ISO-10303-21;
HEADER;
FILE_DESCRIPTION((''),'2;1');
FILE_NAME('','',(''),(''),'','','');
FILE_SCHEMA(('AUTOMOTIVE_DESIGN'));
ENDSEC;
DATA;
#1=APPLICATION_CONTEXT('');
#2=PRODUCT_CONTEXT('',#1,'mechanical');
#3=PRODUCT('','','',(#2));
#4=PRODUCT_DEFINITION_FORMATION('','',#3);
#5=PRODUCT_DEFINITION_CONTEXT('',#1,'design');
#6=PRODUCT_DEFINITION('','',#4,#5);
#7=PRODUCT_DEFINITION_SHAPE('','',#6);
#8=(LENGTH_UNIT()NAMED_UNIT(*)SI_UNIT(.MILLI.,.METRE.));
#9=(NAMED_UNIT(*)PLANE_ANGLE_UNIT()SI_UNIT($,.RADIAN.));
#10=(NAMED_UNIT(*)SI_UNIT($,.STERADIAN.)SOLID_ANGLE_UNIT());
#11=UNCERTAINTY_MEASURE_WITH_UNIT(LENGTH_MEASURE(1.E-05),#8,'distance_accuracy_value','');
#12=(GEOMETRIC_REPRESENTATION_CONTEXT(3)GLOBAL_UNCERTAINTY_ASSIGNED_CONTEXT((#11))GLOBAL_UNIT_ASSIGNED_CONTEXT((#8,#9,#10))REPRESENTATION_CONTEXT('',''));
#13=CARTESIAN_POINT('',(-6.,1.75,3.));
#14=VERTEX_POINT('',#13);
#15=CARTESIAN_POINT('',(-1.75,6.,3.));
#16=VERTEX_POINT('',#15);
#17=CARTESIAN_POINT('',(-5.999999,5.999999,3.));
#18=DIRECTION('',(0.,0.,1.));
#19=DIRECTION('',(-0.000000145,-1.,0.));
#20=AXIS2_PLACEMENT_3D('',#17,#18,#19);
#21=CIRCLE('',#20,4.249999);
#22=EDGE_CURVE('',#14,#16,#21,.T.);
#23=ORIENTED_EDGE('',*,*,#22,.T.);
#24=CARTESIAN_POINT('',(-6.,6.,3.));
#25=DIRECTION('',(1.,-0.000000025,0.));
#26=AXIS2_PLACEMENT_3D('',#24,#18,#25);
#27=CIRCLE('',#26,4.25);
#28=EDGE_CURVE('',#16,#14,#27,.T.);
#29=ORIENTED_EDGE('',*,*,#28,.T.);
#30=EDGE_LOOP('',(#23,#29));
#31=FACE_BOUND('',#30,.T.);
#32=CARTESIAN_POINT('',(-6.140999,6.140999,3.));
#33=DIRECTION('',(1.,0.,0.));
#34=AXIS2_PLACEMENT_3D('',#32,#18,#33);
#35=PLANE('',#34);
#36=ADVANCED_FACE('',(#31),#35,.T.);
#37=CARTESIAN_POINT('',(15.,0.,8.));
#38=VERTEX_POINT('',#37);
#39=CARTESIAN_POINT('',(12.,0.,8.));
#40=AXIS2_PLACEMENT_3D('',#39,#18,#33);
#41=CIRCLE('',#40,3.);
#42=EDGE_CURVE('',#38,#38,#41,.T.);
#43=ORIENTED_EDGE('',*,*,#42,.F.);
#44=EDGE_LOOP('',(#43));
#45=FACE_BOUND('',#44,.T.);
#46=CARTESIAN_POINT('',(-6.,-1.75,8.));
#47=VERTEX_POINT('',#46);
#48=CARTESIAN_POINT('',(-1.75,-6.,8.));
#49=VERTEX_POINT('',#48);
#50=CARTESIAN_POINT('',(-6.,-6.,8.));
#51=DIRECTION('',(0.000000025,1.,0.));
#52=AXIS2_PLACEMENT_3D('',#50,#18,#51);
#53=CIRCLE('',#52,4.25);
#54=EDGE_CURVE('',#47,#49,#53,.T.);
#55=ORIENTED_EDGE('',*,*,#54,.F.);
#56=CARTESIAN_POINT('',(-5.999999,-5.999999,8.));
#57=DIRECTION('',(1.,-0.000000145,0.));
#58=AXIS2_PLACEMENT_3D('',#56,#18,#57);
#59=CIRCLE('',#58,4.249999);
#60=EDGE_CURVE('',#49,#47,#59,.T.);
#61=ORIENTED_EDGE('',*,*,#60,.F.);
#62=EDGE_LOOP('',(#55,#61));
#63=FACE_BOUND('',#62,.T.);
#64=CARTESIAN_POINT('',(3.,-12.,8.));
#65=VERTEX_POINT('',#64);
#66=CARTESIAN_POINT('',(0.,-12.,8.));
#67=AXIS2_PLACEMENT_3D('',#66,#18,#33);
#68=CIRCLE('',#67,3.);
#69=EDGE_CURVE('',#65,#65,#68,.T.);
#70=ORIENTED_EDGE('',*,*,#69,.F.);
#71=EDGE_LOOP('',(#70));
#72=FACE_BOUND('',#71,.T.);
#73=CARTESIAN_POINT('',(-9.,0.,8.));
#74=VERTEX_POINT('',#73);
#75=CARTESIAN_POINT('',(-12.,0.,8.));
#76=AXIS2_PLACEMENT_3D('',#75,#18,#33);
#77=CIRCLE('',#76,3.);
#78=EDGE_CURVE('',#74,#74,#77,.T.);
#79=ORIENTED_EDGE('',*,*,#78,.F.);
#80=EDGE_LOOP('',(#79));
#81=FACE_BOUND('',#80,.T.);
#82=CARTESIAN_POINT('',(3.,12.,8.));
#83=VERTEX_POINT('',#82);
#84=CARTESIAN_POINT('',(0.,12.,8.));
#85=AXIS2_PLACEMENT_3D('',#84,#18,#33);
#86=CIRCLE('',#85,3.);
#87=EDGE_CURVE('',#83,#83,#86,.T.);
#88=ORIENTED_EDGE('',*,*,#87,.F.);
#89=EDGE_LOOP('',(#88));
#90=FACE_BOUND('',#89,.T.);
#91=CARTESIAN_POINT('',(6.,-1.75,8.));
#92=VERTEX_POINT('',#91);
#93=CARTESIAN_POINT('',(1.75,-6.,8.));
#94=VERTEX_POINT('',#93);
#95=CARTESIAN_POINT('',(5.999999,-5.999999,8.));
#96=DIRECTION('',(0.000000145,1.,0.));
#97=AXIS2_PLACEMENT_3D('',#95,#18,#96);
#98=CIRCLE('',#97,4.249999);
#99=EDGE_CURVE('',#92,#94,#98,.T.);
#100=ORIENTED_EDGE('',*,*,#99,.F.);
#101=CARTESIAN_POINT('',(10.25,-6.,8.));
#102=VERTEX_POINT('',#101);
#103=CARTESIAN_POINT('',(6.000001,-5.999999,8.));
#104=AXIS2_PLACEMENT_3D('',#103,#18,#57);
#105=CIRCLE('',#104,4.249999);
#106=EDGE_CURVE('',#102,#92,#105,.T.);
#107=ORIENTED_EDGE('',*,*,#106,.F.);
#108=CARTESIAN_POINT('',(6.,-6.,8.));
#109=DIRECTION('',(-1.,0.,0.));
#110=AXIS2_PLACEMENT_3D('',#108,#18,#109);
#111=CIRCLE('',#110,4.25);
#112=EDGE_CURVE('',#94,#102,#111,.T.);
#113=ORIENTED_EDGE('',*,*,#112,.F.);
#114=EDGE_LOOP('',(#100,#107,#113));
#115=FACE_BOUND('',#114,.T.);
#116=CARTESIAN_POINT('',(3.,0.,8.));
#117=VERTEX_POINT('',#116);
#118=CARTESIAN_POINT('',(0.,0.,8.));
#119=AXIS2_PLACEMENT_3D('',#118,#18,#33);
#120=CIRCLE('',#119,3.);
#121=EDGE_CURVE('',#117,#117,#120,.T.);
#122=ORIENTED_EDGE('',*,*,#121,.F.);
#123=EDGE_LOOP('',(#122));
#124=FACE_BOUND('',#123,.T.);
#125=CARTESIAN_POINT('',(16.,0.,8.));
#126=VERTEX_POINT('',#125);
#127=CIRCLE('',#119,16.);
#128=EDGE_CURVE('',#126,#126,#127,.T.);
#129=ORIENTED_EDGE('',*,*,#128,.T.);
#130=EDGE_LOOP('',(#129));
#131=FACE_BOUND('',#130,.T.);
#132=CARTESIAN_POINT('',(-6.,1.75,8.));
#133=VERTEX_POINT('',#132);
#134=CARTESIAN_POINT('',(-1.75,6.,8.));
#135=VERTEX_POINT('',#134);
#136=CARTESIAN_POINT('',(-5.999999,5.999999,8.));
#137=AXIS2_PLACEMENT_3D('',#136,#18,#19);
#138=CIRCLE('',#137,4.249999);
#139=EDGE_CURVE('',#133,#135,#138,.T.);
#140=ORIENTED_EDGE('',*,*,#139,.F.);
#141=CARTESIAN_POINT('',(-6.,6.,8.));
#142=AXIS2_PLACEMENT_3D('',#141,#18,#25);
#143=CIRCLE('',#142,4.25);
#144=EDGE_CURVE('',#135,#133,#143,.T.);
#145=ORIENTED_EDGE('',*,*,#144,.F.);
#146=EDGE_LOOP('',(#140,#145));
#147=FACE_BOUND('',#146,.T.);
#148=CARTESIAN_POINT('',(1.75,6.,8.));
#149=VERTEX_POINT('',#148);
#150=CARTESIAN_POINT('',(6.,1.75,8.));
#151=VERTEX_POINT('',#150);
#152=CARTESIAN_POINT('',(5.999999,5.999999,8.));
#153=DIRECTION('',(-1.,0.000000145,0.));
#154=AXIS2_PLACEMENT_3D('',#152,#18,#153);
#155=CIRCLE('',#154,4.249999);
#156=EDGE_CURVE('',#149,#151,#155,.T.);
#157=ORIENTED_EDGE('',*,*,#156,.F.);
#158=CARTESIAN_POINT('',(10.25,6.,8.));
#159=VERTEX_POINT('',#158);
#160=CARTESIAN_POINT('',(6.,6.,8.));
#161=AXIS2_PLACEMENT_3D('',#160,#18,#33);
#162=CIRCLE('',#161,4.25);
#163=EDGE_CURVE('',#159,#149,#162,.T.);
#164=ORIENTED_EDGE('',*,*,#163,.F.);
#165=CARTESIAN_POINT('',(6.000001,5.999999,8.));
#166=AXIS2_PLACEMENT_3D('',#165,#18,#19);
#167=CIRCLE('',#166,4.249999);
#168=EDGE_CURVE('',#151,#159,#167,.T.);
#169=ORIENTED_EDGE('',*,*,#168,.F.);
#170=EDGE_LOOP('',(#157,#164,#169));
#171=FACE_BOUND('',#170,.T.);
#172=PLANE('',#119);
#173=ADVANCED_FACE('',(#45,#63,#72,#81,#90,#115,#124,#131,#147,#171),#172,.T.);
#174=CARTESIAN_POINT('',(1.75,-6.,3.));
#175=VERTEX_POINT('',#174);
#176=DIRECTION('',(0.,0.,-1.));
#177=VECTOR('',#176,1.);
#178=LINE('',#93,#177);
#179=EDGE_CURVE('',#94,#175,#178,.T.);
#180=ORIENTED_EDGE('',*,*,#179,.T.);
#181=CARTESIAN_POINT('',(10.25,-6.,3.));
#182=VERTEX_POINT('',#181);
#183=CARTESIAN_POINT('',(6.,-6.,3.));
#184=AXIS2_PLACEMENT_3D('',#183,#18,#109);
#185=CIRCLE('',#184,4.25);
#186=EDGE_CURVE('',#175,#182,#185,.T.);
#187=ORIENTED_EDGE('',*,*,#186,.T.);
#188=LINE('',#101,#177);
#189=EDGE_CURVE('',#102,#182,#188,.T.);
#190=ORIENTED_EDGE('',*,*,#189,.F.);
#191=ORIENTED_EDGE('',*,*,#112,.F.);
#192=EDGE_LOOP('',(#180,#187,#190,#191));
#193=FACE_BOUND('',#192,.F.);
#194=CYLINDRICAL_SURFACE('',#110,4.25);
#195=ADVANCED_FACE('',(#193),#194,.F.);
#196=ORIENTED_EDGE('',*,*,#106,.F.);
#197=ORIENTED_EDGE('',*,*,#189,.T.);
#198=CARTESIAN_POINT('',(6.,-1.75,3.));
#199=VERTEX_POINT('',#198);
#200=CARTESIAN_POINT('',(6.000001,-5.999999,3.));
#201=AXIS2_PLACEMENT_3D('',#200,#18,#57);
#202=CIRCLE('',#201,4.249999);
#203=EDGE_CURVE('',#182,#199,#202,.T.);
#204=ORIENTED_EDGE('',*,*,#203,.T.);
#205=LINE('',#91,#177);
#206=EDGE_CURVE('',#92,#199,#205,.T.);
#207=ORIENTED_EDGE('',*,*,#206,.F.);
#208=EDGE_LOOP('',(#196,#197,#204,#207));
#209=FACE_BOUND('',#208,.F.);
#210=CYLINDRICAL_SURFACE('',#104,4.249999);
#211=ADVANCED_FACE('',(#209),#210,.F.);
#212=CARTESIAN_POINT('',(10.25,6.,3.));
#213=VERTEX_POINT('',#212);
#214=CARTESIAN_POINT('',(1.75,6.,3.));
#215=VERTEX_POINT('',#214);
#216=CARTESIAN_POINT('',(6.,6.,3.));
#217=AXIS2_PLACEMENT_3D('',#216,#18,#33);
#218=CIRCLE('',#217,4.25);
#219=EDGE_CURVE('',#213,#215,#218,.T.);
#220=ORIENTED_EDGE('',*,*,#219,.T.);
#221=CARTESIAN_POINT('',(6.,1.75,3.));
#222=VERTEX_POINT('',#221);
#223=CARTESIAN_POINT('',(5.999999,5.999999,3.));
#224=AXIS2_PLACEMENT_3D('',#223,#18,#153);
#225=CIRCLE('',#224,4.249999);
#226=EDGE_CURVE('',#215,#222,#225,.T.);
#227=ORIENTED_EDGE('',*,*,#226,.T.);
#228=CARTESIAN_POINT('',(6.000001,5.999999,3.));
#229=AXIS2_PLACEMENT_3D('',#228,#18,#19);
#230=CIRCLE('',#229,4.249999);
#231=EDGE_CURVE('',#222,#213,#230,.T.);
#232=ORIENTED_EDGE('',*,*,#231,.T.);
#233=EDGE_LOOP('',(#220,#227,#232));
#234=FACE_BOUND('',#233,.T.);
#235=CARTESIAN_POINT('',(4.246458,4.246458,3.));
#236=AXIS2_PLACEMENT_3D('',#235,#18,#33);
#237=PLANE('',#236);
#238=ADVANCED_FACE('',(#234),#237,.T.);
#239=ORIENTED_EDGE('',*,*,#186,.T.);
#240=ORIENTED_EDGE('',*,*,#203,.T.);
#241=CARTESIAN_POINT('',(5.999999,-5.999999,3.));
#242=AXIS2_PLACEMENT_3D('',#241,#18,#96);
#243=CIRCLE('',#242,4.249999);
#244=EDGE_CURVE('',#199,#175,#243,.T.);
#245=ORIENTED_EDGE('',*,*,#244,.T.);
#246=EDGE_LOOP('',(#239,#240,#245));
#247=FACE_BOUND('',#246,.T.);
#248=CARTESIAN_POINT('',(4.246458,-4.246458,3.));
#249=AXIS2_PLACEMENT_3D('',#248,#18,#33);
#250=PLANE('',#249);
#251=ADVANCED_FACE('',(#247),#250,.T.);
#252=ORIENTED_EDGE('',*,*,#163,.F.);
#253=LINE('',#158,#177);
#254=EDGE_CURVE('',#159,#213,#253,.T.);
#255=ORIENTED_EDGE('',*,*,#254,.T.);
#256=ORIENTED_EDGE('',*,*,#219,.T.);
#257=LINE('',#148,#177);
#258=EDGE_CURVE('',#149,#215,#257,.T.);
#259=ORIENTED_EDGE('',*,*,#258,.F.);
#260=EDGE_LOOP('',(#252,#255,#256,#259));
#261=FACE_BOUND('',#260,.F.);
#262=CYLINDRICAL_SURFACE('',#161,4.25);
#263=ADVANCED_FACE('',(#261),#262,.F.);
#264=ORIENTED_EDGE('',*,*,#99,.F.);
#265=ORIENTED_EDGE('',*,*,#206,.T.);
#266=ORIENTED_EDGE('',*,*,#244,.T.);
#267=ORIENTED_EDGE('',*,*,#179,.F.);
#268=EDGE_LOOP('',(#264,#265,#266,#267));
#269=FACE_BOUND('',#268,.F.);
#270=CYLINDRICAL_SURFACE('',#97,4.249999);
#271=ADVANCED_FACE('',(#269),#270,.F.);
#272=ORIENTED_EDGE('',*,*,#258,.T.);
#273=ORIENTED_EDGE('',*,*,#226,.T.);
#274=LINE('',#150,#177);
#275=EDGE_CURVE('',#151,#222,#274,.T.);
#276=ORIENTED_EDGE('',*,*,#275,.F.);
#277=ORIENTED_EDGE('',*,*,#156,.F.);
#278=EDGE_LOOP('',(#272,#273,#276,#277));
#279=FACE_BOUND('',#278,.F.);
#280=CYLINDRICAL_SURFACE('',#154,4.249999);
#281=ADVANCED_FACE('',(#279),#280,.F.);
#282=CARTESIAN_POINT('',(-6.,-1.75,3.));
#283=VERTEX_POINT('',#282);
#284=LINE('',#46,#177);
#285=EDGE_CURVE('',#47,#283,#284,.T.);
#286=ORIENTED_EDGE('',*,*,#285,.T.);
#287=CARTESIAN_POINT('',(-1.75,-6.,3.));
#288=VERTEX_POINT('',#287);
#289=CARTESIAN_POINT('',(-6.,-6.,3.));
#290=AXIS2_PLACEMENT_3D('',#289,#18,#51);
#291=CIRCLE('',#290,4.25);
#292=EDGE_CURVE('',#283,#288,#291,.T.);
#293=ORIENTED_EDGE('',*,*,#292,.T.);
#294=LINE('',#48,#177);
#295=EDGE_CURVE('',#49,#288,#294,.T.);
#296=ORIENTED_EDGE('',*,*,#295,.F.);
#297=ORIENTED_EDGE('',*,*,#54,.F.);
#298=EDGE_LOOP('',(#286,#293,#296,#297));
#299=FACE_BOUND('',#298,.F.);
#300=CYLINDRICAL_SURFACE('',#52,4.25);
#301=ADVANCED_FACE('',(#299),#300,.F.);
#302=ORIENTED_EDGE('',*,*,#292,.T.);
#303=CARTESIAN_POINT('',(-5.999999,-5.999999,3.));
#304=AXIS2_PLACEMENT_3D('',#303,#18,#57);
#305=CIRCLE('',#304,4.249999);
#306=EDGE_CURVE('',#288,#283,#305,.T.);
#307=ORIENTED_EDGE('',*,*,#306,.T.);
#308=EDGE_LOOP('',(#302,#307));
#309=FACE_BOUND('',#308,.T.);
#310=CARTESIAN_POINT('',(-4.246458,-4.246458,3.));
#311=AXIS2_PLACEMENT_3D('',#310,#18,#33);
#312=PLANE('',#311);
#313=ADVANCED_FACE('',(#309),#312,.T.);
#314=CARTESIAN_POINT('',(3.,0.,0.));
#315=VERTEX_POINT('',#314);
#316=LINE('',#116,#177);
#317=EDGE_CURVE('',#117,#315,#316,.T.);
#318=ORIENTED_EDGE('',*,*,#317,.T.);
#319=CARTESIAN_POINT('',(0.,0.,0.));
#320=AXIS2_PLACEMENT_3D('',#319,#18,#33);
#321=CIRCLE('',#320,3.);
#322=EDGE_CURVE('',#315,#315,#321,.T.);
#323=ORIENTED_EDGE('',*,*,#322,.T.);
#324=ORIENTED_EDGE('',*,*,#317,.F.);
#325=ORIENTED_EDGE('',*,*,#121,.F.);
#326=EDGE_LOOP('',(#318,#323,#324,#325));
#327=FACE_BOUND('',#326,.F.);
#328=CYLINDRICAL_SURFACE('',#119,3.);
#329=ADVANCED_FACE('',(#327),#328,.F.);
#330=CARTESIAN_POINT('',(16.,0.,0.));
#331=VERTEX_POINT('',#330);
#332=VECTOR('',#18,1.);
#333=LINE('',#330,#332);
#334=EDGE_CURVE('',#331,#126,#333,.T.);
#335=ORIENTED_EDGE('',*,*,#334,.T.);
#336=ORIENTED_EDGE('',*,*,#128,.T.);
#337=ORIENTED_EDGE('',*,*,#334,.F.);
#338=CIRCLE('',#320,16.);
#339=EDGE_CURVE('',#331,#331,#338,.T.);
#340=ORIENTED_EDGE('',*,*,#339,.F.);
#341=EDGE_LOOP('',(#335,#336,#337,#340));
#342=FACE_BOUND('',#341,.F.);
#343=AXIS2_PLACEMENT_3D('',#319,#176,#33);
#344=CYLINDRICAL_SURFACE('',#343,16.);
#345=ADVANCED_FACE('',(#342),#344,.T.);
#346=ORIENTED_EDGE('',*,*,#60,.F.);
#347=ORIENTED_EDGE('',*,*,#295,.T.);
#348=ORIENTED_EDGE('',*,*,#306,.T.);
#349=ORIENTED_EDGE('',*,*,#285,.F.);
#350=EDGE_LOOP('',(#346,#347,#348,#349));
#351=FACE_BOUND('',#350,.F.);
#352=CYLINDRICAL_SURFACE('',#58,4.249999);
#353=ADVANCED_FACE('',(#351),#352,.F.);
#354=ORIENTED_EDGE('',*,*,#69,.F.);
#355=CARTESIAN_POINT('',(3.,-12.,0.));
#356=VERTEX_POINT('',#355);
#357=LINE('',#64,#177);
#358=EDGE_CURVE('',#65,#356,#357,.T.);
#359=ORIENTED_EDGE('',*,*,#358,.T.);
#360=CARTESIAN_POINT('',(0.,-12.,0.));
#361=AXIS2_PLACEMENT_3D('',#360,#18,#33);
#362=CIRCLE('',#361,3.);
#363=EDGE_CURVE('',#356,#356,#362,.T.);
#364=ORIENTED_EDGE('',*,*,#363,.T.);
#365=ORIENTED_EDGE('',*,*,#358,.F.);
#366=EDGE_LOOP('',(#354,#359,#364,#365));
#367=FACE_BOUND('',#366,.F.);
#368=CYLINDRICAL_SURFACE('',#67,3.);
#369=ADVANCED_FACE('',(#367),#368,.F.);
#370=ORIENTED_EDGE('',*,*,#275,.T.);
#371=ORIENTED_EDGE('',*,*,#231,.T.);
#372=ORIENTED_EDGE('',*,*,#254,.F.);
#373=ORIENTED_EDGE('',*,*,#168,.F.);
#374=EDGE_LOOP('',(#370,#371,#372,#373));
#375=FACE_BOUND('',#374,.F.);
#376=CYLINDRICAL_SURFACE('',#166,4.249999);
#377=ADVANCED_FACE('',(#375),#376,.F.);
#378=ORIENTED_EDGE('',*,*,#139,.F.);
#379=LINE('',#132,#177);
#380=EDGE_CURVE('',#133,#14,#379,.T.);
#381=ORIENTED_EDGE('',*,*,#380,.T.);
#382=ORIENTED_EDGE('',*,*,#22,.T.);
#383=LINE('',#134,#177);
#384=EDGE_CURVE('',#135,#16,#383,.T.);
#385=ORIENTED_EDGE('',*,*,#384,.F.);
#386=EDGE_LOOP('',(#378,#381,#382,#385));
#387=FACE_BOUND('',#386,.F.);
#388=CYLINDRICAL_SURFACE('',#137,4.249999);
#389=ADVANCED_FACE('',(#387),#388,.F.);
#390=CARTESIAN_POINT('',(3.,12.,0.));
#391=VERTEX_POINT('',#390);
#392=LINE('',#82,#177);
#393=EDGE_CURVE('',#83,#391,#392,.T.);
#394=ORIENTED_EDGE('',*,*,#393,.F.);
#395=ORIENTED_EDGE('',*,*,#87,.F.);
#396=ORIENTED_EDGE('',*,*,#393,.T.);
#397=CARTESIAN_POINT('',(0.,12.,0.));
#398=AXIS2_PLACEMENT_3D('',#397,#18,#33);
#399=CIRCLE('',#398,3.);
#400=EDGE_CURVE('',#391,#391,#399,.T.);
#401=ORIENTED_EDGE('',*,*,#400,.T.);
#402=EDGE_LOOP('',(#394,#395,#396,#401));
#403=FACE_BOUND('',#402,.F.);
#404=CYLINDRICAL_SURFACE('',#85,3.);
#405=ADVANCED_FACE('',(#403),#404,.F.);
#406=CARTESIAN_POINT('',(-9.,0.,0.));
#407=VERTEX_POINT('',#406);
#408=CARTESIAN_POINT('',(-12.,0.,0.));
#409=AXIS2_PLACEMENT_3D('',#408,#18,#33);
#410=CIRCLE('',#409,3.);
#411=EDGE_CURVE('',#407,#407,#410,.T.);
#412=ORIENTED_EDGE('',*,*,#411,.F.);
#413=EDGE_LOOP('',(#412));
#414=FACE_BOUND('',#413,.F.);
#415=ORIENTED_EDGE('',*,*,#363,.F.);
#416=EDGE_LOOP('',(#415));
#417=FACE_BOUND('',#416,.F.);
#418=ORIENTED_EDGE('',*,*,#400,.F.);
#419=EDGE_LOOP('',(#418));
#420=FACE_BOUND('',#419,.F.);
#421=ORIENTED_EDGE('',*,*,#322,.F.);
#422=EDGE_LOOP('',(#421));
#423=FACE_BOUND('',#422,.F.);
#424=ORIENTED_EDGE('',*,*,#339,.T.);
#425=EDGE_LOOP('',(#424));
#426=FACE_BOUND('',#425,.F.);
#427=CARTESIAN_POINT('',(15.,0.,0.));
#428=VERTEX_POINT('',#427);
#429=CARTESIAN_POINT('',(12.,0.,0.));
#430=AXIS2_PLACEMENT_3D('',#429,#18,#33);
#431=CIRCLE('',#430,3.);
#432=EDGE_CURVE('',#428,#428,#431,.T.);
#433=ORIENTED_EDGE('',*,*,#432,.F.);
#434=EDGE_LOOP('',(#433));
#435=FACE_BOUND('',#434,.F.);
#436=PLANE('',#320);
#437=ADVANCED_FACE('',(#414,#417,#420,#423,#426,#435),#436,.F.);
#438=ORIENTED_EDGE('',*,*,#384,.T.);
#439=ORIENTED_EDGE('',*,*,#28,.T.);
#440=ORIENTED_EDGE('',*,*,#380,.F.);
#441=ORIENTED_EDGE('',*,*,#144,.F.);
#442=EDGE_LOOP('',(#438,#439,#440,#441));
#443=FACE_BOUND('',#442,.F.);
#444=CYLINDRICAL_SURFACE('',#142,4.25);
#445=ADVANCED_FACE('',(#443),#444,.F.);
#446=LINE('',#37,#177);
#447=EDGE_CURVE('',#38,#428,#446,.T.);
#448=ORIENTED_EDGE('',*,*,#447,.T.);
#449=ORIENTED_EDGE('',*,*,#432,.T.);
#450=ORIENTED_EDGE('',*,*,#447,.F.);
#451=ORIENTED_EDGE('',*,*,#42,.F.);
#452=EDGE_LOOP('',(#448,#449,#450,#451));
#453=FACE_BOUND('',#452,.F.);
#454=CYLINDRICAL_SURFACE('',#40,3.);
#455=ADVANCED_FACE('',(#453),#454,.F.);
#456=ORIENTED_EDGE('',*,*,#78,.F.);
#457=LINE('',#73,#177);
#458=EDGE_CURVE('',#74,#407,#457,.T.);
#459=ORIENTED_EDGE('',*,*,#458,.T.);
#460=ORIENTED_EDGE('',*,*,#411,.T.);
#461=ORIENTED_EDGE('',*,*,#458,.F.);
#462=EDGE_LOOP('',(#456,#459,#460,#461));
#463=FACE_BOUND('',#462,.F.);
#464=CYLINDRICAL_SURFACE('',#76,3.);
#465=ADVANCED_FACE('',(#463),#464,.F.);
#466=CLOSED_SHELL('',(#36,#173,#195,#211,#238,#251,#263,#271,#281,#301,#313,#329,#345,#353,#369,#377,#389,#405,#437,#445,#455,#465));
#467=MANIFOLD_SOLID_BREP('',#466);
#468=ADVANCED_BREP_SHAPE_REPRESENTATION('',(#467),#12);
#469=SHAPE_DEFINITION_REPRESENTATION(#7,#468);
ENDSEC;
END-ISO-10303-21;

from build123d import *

# Parameters (mm, degrees)
F0_R     = 16
F1_DEPTH = 8
F3_DEPTH = 5
F4_R     = 3
F5_DEPTH = 25


with BuildPart() as f1:
    # F0 (on Top) → F1 (new body)
    with BuildSketch(Plane.XY):
        Circle(F0_R)
    extrude(amount=F1_DEPTH)

    # F2 (on face) → F3 (cut)
    with BuildSketch(Plane.XY.offset(8)):
        with BuildLine():
            ThreePointArc((6, -1.75), (2.994796, -2.994796), (1.75, -6))
            Line((1.75, -6), (6, -6))
            Line((6, -6), (6, -1.75))
        make_face()
        with BuildLine():
            Line((6, -6), (1.75, -6))
            ThreePointArc((1.75, -6), (6, -10.25), (10.25, -6))
            ThreePointArc((10.25, -6), (9.005204, -2.994796), (6, -1.75))
            Line((6, -1.75), (6, -6))
        make_face()
        with BuildLine():
            Line((-6, -6), (-1.75, -6))
            ThreePointArc((-1.75, -6), (-2.994796, -2.994796), (-6, -1.75))
            Line((-6, -1.75), (-6, -6))
        make_face()
        with BuildLine():
            ThreePointArc((-6, -1.75), (-9.005204, -9.005204), (-1.75, -6))
            Line((-1.75, -6), (-6, -6))
            Line((-6, -6), (-6, -1.75))
        make_face()
        with BuildLine():
            ThreePointArc((1.75, 6), (2.994796, 2.994796), (6, 1.75))
            Line((6, 1.75), (6, 6))
            Line((6, 6), (1.75, 6))
        make_face()
        with BuildLine():
            Line((6, 6), (6, 1.75))
            ThreePointArc((6, 1.75), (9.005204, 2.994796), (10.25, 6))
            ThreePointArc((10.25, 6), (6, 10.25), (1.75, 6))
            Line((1.75, 6), (6, 6))
        make_face()
        with BuildLine():
            ThreePointArc((-1.75, 6), (-9.005204, 9.005204), (-6, 1.75))
            Line((-6, 1.75), (-6, 6))
            Line((-6, 6), (-1.75, 6))
        make_face()
        with BuildLine():
            Line((-6, 6), (-6, 1.75))
            ThreePointArc((-6, 1.75), (-2.994796, 2.994796), (-1.75, 6))
            Line((-1.75, 6), (-6, 6))
        make_face()
    extrude(amount=-F3_DEPTH, mode=Mode.SUBTRACT)

    # F4 (on face) → F5 (cut)
    with BuildSketch(Plane.XY.offset(8)):
        Circle(F4_R)
        with Locations((-12, 0)):
            Circle(F4_R)
        with Locations((0, 12)):
            Circle(F4_R)
        with Locations((12, 0)):
            Circle(F4_R)
        with Locations((0, -12)):
            Circle(F4_R)
    extrude(amount=-F5_DEPTH, mode=Mode.SUBTRACT)


solid = f1.part
